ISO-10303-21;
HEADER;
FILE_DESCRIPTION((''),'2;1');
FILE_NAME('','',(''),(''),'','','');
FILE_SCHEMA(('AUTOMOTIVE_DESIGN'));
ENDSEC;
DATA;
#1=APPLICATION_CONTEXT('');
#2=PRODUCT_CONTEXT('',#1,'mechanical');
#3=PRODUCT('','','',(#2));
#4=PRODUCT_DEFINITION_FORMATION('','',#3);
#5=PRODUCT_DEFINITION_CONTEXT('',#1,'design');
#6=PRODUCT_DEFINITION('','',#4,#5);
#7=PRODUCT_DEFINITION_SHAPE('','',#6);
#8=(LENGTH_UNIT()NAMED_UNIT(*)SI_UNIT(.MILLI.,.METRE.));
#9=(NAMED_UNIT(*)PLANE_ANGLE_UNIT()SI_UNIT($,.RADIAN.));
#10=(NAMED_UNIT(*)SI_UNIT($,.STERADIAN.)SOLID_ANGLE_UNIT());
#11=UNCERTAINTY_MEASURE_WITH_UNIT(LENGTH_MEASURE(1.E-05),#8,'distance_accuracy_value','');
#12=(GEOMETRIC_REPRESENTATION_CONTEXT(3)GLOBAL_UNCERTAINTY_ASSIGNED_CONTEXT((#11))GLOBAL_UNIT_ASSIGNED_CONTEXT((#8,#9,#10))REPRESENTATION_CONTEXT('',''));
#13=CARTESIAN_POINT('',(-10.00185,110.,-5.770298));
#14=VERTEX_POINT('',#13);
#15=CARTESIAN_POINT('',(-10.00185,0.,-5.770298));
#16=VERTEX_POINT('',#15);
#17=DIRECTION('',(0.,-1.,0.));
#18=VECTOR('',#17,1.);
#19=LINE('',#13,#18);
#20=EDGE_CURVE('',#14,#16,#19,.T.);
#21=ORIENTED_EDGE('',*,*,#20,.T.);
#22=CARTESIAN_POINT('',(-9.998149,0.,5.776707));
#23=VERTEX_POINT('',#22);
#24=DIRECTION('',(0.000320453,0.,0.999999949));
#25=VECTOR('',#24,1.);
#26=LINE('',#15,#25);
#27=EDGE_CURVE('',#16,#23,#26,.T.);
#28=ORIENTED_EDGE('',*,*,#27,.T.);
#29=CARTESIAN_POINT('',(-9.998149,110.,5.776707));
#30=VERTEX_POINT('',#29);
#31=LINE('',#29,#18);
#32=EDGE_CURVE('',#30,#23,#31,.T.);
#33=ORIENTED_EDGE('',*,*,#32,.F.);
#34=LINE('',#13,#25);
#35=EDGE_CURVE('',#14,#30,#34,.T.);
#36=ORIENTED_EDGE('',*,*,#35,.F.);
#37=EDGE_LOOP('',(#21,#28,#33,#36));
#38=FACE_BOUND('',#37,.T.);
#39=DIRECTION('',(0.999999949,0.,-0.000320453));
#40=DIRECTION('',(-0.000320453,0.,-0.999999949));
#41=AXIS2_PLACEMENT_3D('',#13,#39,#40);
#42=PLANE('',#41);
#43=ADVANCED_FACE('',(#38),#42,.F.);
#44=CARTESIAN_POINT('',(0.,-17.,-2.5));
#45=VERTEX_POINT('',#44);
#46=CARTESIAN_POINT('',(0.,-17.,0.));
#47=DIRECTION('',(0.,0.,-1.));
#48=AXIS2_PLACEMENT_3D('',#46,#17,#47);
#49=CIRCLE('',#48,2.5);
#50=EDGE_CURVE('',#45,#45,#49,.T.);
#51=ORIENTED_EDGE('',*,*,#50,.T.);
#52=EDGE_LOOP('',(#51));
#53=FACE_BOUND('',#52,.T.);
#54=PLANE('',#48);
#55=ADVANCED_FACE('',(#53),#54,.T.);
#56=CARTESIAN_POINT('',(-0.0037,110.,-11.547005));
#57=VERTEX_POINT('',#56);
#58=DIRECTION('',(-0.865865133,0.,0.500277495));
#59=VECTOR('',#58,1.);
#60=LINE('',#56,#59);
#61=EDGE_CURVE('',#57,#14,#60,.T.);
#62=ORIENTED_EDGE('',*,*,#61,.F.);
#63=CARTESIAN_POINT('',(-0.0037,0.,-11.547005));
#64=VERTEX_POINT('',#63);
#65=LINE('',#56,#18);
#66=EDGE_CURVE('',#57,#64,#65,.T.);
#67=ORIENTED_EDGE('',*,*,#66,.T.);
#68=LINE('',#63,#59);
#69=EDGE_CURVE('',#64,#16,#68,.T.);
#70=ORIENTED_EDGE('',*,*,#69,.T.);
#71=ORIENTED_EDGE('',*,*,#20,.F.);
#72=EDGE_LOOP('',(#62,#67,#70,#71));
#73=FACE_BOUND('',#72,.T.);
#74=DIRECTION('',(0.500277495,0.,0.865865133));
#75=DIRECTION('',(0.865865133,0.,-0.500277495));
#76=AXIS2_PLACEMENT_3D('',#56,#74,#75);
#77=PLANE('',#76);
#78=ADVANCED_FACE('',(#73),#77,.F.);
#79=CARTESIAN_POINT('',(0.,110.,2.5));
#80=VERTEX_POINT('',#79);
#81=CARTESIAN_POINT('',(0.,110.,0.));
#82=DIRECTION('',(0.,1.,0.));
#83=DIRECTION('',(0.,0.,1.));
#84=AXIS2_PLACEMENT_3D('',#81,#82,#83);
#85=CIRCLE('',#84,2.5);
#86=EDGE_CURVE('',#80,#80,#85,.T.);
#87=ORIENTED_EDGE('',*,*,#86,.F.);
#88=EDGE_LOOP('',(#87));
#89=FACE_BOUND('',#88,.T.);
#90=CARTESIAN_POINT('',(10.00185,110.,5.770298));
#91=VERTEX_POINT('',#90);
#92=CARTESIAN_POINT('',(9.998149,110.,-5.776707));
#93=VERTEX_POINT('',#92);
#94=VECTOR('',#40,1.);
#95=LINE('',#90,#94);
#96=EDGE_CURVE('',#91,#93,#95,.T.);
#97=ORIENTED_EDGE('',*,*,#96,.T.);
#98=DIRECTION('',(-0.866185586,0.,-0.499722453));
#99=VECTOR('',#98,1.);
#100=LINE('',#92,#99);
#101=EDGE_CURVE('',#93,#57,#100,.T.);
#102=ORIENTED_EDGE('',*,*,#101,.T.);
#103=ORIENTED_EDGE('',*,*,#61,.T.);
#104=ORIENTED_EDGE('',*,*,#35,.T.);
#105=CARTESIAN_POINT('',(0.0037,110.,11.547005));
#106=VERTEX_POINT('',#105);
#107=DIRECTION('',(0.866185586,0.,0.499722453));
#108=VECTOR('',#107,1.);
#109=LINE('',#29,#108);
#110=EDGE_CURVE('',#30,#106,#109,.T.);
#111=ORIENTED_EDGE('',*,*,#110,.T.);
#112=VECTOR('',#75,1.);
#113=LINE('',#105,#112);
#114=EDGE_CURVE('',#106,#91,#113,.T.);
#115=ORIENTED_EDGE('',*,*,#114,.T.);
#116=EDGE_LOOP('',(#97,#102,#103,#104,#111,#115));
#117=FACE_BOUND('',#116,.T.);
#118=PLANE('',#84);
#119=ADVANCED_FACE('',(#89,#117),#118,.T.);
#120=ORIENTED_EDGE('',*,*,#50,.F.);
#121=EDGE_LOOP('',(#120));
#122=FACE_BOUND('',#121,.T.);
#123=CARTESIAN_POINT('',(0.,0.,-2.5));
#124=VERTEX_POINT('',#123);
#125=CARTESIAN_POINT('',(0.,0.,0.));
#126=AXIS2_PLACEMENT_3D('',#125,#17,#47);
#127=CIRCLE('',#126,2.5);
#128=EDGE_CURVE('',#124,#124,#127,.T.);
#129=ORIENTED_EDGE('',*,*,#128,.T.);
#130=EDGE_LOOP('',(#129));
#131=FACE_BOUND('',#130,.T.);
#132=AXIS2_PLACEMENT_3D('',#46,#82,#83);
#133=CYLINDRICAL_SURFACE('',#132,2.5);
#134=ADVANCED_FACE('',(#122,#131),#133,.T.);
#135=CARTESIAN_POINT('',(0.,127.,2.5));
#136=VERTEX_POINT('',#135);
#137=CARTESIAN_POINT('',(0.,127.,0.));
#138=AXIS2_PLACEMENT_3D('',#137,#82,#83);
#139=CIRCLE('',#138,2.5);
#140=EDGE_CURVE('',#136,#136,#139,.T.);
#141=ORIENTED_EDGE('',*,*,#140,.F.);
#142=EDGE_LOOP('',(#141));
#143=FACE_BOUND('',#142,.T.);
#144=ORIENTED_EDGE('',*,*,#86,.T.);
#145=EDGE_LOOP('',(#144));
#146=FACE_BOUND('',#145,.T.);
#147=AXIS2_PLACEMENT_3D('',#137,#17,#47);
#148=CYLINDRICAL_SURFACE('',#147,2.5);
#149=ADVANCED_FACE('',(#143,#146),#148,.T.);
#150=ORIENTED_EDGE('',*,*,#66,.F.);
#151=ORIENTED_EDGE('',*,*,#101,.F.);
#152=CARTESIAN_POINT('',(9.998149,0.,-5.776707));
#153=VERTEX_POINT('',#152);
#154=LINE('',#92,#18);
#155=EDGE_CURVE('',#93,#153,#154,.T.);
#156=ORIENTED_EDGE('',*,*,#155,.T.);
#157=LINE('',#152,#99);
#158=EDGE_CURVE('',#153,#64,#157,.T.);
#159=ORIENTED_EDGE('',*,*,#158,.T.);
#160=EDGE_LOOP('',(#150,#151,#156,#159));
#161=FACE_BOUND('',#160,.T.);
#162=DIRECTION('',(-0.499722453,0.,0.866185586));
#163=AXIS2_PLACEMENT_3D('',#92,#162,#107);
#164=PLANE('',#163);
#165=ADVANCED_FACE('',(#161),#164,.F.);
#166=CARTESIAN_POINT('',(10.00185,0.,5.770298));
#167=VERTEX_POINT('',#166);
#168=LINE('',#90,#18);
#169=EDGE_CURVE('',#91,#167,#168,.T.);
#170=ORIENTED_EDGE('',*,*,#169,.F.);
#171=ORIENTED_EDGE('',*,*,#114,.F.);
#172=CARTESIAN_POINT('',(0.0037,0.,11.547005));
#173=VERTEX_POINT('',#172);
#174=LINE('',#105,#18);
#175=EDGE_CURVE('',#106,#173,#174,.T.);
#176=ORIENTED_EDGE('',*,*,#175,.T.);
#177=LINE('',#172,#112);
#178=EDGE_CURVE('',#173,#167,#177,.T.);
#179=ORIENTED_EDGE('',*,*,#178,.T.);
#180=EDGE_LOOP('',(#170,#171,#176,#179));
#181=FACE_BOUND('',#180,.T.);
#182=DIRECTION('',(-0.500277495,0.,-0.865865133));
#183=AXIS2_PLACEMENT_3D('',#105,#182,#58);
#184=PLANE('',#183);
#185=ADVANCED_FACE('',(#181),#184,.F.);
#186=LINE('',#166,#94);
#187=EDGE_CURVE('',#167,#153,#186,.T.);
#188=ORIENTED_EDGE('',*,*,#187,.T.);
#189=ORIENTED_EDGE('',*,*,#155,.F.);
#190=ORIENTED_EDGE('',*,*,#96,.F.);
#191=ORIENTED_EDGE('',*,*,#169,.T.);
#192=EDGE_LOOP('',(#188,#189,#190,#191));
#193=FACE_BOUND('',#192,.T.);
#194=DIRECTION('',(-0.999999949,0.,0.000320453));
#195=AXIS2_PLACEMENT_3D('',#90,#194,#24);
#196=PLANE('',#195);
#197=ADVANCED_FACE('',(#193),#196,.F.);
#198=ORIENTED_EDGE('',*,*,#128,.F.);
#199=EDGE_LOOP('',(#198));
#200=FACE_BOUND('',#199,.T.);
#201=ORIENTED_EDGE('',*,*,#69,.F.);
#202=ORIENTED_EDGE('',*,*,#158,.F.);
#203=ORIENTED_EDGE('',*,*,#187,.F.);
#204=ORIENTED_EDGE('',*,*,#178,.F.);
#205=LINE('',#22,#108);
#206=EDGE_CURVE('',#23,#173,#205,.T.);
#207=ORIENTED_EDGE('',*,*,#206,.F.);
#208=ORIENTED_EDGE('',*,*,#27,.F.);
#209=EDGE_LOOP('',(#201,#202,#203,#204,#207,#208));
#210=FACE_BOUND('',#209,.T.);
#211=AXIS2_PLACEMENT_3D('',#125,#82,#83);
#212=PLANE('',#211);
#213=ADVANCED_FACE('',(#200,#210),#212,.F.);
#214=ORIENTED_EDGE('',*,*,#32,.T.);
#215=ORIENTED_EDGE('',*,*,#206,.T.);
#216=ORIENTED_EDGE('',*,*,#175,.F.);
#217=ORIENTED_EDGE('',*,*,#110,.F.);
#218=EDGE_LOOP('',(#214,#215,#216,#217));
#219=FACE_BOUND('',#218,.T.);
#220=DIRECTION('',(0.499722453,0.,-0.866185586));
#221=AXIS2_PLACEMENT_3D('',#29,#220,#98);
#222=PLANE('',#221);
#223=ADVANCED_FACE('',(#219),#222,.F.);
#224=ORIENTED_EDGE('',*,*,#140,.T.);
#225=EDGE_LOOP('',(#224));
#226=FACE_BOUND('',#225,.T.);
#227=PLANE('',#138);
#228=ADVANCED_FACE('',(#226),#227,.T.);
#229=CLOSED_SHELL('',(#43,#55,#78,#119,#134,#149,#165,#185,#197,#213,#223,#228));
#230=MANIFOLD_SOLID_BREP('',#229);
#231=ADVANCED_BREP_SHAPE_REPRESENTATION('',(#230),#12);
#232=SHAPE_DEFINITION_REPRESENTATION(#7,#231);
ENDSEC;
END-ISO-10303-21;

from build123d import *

# Parameters (mm, degrees)
EXTRUDE_1_DEPTH = 110
SKETCH_3_R      = 2.5
EXTRUDE_2_DEPTH = 17
EXTRUDE_START   = 17
SKETCH_4_R      = 2.5
EXTRUDE_3_DEPTH = 17


with BuildPart() as part:
    # ｽｹｯﾁ1 → ﾎﾞｽ - 押し出し1 (new body)
    with BuildSketch(Plane(origin=(0, 0, 0), x_dir=(1, 0, 0), z_dir=(0, 1, 0))):
        Polygon((10.001849625, -5.770297861), (9.998149348, 5.77670693), (-0.003700278, 11.547004791), (-10.001849625, 5.770297861), (-9.998149348, -5.77670693), (0.003700278, -11.547004791), align=None)
    extrude(amount=EXTRUDE_1_DEPTH)

    # ｽｹｯﾁ3 → ﾎﾞｽ - 押し出し2 (add)
    with BuildSketch(Plane(origin=(0, 110, 0), x_dir=(1, 0, 0), z_dir=(0, 1, 0))):
        with Locations(Location((0, 0, 0), (0, 0, 270))):
            Circle(SKETCH_3_R)
    extrude(amount=EXTRUDE_2_DEPTH)

    # ｽｹｯﾁ4 → ﾎﾞｽ - 押し出し3 (add)
    with BuildSketch(Plane.XZ.offset(EXTRUDE_START)):
        with Locations(Location((0, 0, 0), (0, 0, 90))):
            Circle(SKETCH_4_R)
    extrude(amount=-EXTRUDE_3_DEPTH)


solid = part.part
